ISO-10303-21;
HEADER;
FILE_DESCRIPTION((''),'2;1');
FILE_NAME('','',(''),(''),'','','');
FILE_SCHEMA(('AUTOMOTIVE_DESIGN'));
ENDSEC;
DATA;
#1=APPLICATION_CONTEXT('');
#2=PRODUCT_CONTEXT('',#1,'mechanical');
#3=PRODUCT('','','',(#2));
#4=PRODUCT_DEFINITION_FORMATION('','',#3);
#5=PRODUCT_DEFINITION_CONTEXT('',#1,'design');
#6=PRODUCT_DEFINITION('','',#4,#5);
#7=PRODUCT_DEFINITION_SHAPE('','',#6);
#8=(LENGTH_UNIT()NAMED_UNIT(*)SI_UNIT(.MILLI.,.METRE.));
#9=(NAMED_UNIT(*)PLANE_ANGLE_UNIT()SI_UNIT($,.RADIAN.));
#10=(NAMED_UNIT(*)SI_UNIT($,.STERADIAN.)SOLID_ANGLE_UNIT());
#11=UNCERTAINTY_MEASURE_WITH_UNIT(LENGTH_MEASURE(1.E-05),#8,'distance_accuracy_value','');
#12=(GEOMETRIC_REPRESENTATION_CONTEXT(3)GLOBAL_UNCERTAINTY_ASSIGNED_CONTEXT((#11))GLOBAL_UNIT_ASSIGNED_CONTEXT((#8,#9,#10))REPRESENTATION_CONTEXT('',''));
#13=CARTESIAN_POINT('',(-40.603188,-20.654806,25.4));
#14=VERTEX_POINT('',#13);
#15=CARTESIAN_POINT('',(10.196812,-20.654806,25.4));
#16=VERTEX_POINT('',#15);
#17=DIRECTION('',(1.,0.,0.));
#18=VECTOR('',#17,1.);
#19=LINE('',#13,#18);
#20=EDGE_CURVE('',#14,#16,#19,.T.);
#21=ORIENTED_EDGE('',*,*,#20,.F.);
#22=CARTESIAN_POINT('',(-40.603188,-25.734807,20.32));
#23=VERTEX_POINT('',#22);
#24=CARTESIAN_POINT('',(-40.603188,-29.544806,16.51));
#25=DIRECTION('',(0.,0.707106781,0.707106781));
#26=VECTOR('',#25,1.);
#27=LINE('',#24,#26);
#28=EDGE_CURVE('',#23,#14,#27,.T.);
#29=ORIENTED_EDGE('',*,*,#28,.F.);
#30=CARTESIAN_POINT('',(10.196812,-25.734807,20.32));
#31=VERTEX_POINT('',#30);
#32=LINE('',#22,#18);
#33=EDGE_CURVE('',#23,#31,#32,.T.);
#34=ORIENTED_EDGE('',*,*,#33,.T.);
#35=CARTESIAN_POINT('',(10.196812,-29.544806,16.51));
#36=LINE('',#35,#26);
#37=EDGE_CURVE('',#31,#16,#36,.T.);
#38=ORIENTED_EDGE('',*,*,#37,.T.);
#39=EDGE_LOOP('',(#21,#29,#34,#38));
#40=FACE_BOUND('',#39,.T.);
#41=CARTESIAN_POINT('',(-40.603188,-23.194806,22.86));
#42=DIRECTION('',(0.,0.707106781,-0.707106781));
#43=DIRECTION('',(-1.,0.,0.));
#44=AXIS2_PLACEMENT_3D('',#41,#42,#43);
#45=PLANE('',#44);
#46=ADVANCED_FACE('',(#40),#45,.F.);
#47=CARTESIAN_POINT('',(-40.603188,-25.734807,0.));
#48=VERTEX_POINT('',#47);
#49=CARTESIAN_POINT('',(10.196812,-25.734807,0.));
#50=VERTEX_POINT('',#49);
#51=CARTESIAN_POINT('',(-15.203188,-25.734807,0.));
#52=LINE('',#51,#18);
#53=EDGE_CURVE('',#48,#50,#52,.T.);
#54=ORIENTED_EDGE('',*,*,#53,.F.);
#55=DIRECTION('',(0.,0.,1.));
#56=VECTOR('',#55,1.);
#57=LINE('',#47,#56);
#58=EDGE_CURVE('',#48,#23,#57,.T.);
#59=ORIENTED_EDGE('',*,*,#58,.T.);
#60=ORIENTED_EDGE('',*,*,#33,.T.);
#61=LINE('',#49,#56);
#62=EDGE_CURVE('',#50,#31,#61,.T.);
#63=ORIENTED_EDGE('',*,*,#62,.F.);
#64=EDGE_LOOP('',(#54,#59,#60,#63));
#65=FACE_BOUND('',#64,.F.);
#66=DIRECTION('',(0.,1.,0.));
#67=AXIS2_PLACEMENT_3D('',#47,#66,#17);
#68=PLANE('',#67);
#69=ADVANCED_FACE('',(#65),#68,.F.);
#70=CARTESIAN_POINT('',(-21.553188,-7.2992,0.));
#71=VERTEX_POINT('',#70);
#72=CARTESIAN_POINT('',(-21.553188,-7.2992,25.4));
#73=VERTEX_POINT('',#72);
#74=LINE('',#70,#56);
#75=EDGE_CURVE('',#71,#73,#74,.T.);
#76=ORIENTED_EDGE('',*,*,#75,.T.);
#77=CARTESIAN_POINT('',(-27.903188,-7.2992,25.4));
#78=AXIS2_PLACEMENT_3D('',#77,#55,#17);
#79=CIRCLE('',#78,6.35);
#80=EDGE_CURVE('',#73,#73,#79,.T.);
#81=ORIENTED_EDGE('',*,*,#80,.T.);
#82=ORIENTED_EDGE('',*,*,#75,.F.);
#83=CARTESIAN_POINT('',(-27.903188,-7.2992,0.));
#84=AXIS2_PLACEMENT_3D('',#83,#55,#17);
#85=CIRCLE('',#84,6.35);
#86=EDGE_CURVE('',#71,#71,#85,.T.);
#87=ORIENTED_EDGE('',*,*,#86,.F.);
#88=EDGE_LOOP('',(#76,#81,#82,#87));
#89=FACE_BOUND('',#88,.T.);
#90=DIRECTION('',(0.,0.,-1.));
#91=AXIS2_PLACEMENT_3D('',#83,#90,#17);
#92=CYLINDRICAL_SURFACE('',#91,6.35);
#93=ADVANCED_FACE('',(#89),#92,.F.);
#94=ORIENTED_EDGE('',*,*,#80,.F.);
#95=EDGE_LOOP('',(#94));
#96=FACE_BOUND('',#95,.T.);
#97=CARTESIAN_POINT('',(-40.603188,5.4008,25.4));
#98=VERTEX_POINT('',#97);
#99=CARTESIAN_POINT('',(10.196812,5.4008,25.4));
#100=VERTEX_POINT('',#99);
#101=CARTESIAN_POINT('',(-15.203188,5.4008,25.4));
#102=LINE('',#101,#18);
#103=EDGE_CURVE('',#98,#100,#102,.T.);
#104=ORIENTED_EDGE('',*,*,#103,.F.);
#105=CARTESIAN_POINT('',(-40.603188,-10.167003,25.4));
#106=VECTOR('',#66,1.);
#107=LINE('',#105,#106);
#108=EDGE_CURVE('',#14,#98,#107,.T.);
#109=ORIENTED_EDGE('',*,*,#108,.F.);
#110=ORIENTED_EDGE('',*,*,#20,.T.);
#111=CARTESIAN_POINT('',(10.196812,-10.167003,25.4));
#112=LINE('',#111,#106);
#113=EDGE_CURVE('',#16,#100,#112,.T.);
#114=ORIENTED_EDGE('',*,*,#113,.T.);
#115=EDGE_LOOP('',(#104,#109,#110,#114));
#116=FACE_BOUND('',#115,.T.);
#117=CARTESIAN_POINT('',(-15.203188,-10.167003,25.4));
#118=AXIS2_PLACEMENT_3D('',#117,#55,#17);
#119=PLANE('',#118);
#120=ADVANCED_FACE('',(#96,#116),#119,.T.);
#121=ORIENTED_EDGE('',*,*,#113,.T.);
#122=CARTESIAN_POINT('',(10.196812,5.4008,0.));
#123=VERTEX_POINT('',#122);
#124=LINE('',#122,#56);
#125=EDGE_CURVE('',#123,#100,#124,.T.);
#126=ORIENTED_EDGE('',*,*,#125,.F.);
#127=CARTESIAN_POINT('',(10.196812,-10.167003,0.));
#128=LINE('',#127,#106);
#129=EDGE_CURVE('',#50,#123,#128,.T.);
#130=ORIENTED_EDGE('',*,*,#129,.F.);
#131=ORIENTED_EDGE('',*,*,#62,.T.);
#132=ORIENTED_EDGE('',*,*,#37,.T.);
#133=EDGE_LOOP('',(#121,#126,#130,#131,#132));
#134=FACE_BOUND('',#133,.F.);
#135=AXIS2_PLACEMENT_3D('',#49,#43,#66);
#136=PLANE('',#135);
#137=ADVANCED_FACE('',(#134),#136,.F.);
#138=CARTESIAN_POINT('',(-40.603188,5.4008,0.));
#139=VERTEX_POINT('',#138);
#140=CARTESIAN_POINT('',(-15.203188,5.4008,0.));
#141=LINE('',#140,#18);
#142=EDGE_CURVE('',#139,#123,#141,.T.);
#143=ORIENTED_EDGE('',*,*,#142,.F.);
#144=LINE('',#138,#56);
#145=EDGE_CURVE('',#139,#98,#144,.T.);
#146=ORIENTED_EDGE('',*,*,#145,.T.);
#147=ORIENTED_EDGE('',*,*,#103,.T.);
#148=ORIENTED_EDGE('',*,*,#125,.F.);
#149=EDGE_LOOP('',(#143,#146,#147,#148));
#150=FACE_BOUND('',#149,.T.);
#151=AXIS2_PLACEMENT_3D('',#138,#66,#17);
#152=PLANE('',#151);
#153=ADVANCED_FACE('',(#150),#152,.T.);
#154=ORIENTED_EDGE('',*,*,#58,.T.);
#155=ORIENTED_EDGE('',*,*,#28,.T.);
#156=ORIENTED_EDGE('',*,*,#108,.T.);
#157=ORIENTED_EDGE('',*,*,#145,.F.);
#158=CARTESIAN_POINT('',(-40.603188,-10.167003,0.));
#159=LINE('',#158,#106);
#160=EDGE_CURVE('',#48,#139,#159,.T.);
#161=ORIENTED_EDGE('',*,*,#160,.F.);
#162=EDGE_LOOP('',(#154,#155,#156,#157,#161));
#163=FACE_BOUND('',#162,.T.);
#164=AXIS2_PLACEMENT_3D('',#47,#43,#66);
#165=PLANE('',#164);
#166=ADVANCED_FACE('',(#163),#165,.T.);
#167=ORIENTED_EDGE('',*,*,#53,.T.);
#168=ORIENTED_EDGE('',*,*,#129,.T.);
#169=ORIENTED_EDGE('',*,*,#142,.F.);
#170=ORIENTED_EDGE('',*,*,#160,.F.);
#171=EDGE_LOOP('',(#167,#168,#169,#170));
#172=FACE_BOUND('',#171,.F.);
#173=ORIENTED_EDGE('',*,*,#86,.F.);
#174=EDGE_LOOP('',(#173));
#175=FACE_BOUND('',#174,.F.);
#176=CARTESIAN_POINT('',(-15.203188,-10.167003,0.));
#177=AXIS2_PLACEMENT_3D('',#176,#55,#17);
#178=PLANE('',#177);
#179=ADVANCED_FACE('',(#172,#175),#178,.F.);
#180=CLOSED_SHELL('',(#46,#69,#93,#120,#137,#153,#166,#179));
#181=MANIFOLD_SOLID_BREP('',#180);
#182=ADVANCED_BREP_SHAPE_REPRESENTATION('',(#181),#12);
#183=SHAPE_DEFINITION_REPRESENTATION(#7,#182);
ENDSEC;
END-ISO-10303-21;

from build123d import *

# Parameters (mm, degrees)
F0_W     = 50.8
F0_H     = 31.135607
F0_R     = 6.35
F1_DEPTH = 25.4
F2_SIZE  = 5.08


with BuildPart() as f1:
    # F0 (on Top) → F1 (new body)
    with BuildSketch(Plane.XY):
        with Locations((-15.203188, -10.167003)):
            Rectangle(F0_W, F0_H)
        with Locations((-27.903188, -7.2992)):
            Circle(F0_R, mode=Mode.SUBTRACT)
    extrude(amount=F1_DEPTH)

    # F2
    f2_edges = [f1.edges().sort_by_distance(p)[0] for p in [
        (-15.203188, -25.734807, 25.4),
    ]]
    chamfer(f2_edges, length=F2_SIZE)


solid = f1.part
